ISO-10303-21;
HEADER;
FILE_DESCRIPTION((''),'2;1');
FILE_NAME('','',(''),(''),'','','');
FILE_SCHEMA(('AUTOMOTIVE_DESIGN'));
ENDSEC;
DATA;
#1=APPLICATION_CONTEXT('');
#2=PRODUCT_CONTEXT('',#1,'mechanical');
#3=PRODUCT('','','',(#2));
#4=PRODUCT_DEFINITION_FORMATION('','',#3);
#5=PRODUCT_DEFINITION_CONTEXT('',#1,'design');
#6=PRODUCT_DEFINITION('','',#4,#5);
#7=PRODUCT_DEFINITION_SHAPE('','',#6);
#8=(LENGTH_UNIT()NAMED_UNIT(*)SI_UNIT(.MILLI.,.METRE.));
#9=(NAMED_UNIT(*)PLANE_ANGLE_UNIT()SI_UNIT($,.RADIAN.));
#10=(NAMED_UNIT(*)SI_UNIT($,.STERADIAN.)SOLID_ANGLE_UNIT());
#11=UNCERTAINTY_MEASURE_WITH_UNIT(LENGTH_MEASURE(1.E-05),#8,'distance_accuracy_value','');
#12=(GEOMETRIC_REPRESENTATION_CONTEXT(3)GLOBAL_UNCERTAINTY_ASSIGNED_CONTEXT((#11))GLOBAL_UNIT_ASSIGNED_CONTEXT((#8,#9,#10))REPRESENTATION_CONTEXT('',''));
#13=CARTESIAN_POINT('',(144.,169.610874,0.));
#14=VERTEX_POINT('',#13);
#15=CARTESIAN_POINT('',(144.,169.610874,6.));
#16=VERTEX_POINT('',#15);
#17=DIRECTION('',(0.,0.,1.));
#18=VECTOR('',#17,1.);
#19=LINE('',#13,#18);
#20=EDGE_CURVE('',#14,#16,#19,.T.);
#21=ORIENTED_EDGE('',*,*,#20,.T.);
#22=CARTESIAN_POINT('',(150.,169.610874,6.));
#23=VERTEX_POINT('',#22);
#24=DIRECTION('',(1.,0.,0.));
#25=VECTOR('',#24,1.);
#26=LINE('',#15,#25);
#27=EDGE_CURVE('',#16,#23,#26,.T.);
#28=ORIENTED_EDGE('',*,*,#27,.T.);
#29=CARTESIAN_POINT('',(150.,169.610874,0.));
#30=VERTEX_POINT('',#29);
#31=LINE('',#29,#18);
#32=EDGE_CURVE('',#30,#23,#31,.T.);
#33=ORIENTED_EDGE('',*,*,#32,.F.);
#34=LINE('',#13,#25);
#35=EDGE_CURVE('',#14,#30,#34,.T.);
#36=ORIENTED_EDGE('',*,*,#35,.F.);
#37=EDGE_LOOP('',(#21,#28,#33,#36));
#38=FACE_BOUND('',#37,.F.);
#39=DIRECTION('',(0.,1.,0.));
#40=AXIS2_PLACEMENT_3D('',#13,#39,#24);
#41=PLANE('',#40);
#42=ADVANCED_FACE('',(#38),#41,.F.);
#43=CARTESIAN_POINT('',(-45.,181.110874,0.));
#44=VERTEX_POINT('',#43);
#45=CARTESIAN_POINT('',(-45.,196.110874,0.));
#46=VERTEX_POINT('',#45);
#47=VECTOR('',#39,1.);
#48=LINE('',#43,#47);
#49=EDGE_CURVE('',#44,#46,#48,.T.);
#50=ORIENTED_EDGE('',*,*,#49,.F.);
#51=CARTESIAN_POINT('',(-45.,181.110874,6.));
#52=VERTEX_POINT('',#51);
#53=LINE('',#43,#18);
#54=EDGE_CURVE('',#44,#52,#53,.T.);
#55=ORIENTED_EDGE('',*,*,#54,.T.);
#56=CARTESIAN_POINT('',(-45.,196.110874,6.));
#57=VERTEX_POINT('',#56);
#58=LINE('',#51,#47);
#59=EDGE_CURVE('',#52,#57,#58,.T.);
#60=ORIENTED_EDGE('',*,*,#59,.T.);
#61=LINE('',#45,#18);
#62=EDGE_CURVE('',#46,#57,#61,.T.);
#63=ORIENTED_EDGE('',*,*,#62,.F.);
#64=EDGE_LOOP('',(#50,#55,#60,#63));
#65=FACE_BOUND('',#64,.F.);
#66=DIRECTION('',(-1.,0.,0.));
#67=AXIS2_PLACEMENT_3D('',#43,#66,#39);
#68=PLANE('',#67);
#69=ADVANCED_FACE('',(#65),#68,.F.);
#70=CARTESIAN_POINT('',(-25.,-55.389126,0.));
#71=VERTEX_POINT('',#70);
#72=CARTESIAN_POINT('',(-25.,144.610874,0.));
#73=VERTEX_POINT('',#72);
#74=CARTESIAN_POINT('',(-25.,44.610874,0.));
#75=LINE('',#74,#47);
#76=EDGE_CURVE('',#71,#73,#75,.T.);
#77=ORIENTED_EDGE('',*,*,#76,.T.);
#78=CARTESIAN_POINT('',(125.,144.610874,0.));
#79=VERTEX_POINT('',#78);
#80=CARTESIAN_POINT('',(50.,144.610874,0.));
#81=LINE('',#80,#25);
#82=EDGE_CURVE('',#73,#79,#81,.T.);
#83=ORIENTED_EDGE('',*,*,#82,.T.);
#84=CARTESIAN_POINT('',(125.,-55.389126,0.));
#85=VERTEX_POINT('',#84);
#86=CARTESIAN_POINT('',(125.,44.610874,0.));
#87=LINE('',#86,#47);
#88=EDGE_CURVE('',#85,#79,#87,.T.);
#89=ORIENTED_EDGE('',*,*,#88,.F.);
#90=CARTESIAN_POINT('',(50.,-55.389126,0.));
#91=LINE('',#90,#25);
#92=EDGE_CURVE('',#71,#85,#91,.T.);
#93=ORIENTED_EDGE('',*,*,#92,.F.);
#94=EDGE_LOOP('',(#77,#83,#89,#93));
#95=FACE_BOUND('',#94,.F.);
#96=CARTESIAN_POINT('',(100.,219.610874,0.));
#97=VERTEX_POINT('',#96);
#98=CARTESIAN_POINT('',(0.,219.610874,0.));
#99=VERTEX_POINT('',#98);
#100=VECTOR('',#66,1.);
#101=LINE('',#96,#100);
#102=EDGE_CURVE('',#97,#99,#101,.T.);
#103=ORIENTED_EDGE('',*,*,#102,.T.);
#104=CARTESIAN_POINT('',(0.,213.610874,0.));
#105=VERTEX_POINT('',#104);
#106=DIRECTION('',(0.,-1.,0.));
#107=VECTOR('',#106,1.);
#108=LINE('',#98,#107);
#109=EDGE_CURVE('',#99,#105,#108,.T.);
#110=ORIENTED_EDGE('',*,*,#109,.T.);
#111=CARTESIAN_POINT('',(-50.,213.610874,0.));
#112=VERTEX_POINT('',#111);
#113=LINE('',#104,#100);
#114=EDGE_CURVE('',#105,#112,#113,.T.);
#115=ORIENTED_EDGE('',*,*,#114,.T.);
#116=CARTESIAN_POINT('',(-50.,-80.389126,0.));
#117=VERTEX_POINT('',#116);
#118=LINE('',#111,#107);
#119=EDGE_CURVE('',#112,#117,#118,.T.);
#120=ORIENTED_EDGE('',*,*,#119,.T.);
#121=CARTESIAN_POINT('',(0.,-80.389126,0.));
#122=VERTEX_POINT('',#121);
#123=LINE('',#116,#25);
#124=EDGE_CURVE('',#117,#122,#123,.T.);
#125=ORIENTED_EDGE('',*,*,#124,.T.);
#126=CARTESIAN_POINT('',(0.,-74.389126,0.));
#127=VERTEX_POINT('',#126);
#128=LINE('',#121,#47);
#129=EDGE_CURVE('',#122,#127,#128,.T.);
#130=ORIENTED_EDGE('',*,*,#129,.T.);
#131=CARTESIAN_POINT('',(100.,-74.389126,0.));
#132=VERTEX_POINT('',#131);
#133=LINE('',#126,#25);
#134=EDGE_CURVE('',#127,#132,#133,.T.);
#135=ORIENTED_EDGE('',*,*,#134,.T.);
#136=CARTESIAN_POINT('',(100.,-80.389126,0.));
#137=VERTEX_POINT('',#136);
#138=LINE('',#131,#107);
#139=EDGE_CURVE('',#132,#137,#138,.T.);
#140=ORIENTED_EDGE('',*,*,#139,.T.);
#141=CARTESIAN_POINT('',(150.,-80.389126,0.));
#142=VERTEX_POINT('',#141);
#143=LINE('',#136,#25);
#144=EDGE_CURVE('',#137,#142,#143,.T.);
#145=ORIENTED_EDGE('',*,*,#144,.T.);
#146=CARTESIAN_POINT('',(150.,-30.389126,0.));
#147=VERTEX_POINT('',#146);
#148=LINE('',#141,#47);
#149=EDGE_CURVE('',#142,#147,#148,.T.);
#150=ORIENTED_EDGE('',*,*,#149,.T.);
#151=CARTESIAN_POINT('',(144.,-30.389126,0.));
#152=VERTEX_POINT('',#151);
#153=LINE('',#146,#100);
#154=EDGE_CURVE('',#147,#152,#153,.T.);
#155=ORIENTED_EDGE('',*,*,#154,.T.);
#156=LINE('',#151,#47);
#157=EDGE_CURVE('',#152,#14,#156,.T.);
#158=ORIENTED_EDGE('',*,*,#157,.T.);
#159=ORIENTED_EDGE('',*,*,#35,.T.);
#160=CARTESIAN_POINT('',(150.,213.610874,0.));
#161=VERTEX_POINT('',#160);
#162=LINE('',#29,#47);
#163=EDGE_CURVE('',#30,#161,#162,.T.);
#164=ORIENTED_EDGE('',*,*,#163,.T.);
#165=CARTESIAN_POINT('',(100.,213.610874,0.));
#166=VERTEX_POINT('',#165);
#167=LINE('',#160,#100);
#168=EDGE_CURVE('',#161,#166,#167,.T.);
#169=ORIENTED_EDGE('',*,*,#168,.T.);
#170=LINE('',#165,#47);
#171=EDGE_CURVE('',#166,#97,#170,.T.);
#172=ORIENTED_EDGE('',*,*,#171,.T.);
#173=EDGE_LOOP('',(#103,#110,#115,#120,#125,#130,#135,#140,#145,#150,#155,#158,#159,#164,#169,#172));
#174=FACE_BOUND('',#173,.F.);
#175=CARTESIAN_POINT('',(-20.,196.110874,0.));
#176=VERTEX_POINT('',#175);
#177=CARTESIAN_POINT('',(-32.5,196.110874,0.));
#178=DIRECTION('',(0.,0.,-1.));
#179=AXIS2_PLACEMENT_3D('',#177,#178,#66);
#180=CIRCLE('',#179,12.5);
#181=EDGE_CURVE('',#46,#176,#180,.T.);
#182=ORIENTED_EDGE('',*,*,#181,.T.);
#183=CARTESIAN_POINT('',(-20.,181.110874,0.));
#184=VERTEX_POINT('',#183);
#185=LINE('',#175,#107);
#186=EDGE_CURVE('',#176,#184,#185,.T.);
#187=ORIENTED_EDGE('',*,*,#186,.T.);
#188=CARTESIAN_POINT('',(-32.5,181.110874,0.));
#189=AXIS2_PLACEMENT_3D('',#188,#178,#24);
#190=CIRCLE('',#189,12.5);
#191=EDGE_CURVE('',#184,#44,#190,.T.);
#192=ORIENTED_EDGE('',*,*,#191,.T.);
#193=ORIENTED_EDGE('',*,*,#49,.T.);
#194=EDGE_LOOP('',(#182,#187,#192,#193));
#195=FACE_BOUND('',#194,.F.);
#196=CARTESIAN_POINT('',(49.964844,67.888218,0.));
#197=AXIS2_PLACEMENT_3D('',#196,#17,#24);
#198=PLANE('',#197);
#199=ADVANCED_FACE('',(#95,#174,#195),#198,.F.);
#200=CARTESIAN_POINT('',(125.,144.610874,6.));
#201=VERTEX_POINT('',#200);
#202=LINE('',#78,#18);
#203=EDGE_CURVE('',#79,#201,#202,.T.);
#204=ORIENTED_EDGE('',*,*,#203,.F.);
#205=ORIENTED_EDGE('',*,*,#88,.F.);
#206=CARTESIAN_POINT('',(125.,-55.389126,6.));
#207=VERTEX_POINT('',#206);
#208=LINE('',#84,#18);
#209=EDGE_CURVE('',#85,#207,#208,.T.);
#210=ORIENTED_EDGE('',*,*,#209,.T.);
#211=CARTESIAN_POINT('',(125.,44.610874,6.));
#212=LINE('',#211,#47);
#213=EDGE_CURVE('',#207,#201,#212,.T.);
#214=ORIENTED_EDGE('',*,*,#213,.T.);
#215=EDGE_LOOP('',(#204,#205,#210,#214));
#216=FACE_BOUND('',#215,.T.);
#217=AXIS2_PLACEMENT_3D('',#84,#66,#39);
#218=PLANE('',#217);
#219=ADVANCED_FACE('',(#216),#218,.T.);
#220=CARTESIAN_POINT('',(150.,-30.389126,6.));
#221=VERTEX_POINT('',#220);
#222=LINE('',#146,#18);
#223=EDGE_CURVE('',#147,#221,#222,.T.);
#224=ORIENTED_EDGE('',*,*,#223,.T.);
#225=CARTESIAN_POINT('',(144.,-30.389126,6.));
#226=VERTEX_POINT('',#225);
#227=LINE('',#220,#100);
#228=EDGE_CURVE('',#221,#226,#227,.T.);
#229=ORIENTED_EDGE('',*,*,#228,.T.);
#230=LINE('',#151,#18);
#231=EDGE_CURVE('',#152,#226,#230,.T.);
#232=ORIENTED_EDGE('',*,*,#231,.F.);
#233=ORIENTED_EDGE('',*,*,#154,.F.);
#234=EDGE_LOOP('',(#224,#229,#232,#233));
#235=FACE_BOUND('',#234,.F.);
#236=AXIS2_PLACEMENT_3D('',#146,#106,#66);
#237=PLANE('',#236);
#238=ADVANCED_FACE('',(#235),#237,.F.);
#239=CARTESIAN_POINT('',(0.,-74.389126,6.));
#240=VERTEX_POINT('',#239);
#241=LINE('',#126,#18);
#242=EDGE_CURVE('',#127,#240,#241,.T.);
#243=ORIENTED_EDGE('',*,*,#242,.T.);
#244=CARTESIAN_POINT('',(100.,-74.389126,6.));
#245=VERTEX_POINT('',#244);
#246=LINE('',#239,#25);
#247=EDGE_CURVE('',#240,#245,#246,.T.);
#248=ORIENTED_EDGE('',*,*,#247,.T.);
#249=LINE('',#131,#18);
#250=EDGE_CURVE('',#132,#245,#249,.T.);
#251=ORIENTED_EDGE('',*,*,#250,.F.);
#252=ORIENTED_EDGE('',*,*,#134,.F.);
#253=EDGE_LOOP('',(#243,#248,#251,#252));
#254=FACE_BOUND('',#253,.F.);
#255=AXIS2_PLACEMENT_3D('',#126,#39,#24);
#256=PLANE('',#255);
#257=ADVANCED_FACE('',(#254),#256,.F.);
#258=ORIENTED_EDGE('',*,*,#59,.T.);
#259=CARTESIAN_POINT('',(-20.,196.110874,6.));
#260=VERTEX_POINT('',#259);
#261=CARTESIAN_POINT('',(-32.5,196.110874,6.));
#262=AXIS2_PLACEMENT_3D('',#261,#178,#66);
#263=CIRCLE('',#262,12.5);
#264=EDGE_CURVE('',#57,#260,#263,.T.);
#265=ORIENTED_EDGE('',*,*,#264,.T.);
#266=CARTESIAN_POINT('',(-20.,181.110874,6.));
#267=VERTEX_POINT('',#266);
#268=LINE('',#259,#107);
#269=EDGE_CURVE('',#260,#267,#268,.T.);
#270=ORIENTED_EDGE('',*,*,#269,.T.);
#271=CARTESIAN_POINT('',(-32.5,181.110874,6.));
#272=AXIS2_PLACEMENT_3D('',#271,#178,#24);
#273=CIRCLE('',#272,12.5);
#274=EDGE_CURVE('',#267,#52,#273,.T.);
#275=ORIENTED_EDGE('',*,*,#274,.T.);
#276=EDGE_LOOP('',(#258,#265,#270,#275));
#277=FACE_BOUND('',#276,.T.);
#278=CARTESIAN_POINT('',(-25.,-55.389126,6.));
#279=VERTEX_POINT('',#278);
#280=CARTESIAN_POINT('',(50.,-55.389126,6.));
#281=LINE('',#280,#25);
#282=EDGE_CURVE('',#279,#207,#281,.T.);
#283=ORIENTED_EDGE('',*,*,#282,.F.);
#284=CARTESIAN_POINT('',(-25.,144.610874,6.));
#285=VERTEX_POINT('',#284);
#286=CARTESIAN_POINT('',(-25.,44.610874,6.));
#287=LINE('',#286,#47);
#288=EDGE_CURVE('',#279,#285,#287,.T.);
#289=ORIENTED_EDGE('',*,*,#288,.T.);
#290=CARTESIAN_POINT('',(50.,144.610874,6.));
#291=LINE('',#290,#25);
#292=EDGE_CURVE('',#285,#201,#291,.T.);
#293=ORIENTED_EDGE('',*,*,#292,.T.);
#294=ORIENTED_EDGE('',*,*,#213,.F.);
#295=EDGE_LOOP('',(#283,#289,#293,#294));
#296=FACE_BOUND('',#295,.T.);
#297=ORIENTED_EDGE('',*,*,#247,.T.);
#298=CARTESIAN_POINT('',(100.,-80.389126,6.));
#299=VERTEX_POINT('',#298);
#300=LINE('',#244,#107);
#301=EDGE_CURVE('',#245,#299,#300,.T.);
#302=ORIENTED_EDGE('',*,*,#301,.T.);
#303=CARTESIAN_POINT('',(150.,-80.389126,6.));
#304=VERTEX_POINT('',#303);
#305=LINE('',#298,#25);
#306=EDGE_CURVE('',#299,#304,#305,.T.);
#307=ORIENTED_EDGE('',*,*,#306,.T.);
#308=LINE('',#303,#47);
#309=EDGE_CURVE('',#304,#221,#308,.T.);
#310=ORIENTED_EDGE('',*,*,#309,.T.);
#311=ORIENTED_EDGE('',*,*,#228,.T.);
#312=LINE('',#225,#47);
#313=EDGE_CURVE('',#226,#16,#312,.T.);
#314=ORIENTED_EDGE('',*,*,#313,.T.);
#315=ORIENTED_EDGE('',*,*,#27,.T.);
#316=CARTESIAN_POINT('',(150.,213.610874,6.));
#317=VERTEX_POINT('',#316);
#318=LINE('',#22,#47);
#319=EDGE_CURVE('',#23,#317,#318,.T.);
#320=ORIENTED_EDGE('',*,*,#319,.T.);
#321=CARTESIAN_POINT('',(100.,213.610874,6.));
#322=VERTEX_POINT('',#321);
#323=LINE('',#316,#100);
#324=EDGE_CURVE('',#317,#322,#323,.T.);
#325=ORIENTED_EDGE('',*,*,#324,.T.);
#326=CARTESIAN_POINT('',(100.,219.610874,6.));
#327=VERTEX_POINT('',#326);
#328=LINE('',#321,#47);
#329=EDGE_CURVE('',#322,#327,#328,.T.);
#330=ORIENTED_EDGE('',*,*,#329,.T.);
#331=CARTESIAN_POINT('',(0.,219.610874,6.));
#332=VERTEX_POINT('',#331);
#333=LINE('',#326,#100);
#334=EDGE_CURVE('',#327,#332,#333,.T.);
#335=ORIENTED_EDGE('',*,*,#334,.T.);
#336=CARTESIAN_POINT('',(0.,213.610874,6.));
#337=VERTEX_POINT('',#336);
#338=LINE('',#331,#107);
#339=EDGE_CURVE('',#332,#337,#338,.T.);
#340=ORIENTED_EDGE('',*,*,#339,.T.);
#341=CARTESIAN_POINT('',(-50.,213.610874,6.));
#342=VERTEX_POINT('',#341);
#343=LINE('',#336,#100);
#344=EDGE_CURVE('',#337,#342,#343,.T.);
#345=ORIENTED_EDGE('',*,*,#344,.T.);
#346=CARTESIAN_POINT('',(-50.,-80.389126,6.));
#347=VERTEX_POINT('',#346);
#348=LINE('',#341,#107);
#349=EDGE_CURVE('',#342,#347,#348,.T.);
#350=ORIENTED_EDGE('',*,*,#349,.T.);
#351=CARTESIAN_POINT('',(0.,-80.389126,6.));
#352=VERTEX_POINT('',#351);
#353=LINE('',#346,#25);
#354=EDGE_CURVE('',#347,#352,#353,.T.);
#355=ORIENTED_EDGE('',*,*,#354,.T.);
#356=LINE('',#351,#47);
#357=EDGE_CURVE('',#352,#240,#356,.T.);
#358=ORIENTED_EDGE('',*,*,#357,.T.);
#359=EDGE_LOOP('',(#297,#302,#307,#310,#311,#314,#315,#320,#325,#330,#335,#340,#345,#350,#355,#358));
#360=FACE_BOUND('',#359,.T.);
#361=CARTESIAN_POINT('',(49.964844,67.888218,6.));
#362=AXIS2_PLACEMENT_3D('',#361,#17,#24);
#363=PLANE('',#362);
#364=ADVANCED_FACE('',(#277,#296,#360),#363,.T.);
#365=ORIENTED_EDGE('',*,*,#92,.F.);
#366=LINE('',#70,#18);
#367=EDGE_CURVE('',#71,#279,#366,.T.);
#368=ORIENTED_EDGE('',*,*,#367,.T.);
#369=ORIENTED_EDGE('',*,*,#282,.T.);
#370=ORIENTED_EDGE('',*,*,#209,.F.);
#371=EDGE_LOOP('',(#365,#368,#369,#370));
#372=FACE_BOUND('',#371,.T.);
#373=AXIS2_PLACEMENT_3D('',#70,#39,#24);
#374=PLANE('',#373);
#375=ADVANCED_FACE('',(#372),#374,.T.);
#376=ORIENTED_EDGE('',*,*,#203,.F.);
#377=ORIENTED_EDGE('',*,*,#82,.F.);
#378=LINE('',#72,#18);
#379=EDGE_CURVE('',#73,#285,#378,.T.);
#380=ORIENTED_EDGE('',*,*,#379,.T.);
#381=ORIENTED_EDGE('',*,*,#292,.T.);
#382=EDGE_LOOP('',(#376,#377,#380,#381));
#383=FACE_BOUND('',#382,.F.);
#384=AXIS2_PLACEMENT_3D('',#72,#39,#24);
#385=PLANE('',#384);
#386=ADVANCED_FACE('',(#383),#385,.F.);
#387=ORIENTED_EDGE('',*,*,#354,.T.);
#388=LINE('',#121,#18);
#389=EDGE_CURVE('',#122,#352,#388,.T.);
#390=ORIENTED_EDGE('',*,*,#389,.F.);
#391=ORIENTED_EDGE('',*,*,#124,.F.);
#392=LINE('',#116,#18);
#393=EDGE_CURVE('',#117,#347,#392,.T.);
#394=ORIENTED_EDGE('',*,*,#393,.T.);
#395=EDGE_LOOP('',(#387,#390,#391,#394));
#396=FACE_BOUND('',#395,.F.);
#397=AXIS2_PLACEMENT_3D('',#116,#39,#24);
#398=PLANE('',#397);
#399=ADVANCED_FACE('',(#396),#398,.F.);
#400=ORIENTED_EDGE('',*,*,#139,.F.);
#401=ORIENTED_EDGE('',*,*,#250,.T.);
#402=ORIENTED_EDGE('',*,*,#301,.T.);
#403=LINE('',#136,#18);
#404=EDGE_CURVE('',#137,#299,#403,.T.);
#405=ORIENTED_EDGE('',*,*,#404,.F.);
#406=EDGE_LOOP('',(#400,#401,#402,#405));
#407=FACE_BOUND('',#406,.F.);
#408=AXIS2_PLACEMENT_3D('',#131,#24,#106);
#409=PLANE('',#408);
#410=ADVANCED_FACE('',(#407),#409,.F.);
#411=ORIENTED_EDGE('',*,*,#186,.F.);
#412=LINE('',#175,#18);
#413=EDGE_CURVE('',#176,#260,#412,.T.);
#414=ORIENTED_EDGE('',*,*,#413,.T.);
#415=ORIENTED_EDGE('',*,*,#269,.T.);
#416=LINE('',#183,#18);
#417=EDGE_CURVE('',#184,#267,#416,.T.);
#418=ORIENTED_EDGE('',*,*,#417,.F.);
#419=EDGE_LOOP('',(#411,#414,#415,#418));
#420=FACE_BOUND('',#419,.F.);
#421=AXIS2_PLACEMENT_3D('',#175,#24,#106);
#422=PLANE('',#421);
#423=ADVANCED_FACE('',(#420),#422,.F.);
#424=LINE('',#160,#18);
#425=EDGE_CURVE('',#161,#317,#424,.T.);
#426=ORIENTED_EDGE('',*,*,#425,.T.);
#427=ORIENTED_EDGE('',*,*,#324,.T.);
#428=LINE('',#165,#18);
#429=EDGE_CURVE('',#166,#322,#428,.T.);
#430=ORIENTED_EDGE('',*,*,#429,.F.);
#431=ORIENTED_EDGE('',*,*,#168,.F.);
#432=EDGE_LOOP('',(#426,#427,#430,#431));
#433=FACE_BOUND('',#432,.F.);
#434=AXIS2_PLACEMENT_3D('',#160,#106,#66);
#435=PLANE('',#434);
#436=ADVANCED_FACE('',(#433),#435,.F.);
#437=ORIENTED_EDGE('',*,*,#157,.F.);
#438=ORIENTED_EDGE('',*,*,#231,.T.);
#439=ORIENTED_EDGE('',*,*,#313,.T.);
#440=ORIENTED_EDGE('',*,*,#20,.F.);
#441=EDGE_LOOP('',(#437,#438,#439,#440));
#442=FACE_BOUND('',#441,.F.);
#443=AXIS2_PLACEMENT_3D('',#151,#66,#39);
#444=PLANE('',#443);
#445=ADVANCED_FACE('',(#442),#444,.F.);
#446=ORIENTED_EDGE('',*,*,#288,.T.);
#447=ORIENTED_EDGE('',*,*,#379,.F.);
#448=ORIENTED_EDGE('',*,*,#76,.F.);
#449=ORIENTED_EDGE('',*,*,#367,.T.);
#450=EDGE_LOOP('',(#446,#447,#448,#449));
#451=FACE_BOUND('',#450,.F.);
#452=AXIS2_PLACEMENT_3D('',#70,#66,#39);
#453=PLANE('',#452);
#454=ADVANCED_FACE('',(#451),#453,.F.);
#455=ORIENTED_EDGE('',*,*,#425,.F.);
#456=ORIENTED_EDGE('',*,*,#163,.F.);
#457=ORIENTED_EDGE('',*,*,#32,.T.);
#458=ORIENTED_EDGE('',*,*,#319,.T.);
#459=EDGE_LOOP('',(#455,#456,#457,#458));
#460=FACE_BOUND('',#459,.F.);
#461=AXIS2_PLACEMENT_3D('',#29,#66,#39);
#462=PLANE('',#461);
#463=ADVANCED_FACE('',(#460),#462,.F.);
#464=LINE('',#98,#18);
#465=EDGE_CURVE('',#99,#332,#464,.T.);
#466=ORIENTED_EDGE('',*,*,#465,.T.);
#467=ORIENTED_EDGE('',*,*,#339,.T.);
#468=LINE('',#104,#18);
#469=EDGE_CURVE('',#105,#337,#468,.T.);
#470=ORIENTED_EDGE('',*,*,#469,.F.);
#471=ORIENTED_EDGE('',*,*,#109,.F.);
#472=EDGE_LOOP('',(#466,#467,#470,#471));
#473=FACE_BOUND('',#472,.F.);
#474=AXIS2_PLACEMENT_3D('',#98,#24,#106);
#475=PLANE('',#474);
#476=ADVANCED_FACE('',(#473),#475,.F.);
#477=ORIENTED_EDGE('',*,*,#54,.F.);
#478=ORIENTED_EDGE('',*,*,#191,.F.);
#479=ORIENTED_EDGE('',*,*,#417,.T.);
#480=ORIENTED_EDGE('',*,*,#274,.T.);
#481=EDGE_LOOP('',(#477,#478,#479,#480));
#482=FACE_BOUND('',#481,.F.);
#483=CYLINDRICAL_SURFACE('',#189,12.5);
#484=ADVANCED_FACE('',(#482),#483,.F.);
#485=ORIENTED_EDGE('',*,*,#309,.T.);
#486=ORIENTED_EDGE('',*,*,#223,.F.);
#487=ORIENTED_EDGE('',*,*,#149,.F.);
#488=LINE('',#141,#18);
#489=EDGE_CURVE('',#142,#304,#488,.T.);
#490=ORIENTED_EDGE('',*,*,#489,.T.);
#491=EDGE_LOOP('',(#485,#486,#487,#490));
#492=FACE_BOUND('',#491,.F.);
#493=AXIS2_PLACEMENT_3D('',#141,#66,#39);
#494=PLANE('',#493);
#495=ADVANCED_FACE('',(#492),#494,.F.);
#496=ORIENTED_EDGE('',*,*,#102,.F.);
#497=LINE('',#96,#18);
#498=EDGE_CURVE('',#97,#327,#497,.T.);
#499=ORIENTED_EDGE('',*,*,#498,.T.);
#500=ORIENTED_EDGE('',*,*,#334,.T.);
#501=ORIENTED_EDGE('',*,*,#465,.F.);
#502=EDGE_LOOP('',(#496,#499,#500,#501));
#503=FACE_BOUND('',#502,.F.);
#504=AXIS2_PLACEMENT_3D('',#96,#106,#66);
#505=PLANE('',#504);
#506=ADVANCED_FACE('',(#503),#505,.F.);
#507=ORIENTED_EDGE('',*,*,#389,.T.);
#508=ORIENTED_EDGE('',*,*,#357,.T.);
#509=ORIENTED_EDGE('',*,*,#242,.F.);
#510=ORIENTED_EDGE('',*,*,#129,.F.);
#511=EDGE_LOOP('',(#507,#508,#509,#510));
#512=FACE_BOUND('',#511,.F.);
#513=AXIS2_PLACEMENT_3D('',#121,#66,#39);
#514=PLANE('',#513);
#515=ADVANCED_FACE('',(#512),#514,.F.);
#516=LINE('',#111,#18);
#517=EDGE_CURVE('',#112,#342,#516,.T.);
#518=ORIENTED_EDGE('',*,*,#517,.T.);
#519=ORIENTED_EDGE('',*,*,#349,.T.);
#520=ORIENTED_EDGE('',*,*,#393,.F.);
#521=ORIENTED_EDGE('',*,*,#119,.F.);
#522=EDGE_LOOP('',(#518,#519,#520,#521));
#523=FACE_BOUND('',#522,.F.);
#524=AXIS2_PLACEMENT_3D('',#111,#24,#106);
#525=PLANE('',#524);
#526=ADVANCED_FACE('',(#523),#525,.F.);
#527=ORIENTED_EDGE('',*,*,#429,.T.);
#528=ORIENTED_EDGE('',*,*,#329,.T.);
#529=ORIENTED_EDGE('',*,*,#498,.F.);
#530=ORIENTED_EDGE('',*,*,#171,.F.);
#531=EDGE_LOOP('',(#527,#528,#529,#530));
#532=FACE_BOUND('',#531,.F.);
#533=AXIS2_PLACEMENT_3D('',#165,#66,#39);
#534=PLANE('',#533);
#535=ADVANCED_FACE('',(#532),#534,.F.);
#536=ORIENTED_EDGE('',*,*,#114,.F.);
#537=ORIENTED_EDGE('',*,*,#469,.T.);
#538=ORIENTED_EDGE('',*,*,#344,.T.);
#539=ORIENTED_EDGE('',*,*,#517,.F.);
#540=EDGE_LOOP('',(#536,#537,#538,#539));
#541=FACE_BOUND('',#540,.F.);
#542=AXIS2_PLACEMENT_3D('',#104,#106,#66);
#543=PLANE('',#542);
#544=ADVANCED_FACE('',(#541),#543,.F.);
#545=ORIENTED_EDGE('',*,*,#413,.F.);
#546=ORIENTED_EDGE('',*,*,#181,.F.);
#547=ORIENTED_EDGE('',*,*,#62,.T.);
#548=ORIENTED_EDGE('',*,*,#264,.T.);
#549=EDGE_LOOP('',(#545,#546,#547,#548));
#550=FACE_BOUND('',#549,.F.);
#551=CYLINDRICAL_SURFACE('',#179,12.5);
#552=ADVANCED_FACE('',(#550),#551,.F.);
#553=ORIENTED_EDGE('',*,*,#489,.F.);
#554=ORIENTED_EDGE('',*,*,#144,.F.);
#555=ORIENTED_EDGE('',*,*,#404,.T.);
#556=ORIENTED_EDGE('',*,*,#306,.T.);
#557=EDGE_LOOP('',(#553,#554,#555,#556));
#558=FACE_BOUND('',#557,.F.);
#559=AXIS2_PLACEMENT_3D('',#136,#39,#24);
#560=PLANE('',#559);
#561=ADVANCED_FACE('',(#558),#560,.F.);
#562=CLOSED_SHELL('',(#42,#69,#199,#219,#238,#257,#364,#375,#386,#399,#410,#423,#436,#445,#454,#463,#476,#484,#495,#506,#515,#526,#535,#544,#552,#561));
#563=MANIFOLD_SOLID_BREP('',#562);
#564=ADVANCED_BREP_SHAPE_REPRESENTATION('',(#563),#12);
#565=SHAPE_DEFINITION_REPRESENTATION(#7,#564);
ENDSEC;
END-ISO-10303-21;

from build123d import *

# Parameters (mm, degrees)
F0_W     = 150
F0_H     = 200
F1_DEPTH = 6


with BuildPart() as f1:
    # F0 (on Top) → F1 (new body)
    with BuildSketch(Plane.XY):
        Polygon((0, 213.610874), (-50, 213.610874), (-50, -80.389126), (0, -80.389126), (0, -74.389126), (100, -74.389126), (100, -80.389126), (150, -80.389126), (150, -30.389126), (144, -30.389126), (144, 169.610874), (150, 169.610874), (150, 213.610874), (100, 213.610874), (100, 219.610874), (0, 219.610874), align=None)
        with Locations((50, 44.610874)):
            Rectangle(F0_W, F0_H, mode=Mode.SUBTRACT)
        with BuildLine():
            Line((-45, 181.110874), (-45, 196.110874))
            ThreePointArc((-45, 196.110874), (-32.5, 208.610874), (-20, 196.110874))
            Line((-20, 196.110874), (-20, 181.110874))
            ThreePointArc((-20, 181.110874), (-32.5, 168.610874), (-45, 181.110874))
        make_face(mode=Mode.SUBTRACT)
    extrude(amount=F1_DEPTH)


solid = f1.part
